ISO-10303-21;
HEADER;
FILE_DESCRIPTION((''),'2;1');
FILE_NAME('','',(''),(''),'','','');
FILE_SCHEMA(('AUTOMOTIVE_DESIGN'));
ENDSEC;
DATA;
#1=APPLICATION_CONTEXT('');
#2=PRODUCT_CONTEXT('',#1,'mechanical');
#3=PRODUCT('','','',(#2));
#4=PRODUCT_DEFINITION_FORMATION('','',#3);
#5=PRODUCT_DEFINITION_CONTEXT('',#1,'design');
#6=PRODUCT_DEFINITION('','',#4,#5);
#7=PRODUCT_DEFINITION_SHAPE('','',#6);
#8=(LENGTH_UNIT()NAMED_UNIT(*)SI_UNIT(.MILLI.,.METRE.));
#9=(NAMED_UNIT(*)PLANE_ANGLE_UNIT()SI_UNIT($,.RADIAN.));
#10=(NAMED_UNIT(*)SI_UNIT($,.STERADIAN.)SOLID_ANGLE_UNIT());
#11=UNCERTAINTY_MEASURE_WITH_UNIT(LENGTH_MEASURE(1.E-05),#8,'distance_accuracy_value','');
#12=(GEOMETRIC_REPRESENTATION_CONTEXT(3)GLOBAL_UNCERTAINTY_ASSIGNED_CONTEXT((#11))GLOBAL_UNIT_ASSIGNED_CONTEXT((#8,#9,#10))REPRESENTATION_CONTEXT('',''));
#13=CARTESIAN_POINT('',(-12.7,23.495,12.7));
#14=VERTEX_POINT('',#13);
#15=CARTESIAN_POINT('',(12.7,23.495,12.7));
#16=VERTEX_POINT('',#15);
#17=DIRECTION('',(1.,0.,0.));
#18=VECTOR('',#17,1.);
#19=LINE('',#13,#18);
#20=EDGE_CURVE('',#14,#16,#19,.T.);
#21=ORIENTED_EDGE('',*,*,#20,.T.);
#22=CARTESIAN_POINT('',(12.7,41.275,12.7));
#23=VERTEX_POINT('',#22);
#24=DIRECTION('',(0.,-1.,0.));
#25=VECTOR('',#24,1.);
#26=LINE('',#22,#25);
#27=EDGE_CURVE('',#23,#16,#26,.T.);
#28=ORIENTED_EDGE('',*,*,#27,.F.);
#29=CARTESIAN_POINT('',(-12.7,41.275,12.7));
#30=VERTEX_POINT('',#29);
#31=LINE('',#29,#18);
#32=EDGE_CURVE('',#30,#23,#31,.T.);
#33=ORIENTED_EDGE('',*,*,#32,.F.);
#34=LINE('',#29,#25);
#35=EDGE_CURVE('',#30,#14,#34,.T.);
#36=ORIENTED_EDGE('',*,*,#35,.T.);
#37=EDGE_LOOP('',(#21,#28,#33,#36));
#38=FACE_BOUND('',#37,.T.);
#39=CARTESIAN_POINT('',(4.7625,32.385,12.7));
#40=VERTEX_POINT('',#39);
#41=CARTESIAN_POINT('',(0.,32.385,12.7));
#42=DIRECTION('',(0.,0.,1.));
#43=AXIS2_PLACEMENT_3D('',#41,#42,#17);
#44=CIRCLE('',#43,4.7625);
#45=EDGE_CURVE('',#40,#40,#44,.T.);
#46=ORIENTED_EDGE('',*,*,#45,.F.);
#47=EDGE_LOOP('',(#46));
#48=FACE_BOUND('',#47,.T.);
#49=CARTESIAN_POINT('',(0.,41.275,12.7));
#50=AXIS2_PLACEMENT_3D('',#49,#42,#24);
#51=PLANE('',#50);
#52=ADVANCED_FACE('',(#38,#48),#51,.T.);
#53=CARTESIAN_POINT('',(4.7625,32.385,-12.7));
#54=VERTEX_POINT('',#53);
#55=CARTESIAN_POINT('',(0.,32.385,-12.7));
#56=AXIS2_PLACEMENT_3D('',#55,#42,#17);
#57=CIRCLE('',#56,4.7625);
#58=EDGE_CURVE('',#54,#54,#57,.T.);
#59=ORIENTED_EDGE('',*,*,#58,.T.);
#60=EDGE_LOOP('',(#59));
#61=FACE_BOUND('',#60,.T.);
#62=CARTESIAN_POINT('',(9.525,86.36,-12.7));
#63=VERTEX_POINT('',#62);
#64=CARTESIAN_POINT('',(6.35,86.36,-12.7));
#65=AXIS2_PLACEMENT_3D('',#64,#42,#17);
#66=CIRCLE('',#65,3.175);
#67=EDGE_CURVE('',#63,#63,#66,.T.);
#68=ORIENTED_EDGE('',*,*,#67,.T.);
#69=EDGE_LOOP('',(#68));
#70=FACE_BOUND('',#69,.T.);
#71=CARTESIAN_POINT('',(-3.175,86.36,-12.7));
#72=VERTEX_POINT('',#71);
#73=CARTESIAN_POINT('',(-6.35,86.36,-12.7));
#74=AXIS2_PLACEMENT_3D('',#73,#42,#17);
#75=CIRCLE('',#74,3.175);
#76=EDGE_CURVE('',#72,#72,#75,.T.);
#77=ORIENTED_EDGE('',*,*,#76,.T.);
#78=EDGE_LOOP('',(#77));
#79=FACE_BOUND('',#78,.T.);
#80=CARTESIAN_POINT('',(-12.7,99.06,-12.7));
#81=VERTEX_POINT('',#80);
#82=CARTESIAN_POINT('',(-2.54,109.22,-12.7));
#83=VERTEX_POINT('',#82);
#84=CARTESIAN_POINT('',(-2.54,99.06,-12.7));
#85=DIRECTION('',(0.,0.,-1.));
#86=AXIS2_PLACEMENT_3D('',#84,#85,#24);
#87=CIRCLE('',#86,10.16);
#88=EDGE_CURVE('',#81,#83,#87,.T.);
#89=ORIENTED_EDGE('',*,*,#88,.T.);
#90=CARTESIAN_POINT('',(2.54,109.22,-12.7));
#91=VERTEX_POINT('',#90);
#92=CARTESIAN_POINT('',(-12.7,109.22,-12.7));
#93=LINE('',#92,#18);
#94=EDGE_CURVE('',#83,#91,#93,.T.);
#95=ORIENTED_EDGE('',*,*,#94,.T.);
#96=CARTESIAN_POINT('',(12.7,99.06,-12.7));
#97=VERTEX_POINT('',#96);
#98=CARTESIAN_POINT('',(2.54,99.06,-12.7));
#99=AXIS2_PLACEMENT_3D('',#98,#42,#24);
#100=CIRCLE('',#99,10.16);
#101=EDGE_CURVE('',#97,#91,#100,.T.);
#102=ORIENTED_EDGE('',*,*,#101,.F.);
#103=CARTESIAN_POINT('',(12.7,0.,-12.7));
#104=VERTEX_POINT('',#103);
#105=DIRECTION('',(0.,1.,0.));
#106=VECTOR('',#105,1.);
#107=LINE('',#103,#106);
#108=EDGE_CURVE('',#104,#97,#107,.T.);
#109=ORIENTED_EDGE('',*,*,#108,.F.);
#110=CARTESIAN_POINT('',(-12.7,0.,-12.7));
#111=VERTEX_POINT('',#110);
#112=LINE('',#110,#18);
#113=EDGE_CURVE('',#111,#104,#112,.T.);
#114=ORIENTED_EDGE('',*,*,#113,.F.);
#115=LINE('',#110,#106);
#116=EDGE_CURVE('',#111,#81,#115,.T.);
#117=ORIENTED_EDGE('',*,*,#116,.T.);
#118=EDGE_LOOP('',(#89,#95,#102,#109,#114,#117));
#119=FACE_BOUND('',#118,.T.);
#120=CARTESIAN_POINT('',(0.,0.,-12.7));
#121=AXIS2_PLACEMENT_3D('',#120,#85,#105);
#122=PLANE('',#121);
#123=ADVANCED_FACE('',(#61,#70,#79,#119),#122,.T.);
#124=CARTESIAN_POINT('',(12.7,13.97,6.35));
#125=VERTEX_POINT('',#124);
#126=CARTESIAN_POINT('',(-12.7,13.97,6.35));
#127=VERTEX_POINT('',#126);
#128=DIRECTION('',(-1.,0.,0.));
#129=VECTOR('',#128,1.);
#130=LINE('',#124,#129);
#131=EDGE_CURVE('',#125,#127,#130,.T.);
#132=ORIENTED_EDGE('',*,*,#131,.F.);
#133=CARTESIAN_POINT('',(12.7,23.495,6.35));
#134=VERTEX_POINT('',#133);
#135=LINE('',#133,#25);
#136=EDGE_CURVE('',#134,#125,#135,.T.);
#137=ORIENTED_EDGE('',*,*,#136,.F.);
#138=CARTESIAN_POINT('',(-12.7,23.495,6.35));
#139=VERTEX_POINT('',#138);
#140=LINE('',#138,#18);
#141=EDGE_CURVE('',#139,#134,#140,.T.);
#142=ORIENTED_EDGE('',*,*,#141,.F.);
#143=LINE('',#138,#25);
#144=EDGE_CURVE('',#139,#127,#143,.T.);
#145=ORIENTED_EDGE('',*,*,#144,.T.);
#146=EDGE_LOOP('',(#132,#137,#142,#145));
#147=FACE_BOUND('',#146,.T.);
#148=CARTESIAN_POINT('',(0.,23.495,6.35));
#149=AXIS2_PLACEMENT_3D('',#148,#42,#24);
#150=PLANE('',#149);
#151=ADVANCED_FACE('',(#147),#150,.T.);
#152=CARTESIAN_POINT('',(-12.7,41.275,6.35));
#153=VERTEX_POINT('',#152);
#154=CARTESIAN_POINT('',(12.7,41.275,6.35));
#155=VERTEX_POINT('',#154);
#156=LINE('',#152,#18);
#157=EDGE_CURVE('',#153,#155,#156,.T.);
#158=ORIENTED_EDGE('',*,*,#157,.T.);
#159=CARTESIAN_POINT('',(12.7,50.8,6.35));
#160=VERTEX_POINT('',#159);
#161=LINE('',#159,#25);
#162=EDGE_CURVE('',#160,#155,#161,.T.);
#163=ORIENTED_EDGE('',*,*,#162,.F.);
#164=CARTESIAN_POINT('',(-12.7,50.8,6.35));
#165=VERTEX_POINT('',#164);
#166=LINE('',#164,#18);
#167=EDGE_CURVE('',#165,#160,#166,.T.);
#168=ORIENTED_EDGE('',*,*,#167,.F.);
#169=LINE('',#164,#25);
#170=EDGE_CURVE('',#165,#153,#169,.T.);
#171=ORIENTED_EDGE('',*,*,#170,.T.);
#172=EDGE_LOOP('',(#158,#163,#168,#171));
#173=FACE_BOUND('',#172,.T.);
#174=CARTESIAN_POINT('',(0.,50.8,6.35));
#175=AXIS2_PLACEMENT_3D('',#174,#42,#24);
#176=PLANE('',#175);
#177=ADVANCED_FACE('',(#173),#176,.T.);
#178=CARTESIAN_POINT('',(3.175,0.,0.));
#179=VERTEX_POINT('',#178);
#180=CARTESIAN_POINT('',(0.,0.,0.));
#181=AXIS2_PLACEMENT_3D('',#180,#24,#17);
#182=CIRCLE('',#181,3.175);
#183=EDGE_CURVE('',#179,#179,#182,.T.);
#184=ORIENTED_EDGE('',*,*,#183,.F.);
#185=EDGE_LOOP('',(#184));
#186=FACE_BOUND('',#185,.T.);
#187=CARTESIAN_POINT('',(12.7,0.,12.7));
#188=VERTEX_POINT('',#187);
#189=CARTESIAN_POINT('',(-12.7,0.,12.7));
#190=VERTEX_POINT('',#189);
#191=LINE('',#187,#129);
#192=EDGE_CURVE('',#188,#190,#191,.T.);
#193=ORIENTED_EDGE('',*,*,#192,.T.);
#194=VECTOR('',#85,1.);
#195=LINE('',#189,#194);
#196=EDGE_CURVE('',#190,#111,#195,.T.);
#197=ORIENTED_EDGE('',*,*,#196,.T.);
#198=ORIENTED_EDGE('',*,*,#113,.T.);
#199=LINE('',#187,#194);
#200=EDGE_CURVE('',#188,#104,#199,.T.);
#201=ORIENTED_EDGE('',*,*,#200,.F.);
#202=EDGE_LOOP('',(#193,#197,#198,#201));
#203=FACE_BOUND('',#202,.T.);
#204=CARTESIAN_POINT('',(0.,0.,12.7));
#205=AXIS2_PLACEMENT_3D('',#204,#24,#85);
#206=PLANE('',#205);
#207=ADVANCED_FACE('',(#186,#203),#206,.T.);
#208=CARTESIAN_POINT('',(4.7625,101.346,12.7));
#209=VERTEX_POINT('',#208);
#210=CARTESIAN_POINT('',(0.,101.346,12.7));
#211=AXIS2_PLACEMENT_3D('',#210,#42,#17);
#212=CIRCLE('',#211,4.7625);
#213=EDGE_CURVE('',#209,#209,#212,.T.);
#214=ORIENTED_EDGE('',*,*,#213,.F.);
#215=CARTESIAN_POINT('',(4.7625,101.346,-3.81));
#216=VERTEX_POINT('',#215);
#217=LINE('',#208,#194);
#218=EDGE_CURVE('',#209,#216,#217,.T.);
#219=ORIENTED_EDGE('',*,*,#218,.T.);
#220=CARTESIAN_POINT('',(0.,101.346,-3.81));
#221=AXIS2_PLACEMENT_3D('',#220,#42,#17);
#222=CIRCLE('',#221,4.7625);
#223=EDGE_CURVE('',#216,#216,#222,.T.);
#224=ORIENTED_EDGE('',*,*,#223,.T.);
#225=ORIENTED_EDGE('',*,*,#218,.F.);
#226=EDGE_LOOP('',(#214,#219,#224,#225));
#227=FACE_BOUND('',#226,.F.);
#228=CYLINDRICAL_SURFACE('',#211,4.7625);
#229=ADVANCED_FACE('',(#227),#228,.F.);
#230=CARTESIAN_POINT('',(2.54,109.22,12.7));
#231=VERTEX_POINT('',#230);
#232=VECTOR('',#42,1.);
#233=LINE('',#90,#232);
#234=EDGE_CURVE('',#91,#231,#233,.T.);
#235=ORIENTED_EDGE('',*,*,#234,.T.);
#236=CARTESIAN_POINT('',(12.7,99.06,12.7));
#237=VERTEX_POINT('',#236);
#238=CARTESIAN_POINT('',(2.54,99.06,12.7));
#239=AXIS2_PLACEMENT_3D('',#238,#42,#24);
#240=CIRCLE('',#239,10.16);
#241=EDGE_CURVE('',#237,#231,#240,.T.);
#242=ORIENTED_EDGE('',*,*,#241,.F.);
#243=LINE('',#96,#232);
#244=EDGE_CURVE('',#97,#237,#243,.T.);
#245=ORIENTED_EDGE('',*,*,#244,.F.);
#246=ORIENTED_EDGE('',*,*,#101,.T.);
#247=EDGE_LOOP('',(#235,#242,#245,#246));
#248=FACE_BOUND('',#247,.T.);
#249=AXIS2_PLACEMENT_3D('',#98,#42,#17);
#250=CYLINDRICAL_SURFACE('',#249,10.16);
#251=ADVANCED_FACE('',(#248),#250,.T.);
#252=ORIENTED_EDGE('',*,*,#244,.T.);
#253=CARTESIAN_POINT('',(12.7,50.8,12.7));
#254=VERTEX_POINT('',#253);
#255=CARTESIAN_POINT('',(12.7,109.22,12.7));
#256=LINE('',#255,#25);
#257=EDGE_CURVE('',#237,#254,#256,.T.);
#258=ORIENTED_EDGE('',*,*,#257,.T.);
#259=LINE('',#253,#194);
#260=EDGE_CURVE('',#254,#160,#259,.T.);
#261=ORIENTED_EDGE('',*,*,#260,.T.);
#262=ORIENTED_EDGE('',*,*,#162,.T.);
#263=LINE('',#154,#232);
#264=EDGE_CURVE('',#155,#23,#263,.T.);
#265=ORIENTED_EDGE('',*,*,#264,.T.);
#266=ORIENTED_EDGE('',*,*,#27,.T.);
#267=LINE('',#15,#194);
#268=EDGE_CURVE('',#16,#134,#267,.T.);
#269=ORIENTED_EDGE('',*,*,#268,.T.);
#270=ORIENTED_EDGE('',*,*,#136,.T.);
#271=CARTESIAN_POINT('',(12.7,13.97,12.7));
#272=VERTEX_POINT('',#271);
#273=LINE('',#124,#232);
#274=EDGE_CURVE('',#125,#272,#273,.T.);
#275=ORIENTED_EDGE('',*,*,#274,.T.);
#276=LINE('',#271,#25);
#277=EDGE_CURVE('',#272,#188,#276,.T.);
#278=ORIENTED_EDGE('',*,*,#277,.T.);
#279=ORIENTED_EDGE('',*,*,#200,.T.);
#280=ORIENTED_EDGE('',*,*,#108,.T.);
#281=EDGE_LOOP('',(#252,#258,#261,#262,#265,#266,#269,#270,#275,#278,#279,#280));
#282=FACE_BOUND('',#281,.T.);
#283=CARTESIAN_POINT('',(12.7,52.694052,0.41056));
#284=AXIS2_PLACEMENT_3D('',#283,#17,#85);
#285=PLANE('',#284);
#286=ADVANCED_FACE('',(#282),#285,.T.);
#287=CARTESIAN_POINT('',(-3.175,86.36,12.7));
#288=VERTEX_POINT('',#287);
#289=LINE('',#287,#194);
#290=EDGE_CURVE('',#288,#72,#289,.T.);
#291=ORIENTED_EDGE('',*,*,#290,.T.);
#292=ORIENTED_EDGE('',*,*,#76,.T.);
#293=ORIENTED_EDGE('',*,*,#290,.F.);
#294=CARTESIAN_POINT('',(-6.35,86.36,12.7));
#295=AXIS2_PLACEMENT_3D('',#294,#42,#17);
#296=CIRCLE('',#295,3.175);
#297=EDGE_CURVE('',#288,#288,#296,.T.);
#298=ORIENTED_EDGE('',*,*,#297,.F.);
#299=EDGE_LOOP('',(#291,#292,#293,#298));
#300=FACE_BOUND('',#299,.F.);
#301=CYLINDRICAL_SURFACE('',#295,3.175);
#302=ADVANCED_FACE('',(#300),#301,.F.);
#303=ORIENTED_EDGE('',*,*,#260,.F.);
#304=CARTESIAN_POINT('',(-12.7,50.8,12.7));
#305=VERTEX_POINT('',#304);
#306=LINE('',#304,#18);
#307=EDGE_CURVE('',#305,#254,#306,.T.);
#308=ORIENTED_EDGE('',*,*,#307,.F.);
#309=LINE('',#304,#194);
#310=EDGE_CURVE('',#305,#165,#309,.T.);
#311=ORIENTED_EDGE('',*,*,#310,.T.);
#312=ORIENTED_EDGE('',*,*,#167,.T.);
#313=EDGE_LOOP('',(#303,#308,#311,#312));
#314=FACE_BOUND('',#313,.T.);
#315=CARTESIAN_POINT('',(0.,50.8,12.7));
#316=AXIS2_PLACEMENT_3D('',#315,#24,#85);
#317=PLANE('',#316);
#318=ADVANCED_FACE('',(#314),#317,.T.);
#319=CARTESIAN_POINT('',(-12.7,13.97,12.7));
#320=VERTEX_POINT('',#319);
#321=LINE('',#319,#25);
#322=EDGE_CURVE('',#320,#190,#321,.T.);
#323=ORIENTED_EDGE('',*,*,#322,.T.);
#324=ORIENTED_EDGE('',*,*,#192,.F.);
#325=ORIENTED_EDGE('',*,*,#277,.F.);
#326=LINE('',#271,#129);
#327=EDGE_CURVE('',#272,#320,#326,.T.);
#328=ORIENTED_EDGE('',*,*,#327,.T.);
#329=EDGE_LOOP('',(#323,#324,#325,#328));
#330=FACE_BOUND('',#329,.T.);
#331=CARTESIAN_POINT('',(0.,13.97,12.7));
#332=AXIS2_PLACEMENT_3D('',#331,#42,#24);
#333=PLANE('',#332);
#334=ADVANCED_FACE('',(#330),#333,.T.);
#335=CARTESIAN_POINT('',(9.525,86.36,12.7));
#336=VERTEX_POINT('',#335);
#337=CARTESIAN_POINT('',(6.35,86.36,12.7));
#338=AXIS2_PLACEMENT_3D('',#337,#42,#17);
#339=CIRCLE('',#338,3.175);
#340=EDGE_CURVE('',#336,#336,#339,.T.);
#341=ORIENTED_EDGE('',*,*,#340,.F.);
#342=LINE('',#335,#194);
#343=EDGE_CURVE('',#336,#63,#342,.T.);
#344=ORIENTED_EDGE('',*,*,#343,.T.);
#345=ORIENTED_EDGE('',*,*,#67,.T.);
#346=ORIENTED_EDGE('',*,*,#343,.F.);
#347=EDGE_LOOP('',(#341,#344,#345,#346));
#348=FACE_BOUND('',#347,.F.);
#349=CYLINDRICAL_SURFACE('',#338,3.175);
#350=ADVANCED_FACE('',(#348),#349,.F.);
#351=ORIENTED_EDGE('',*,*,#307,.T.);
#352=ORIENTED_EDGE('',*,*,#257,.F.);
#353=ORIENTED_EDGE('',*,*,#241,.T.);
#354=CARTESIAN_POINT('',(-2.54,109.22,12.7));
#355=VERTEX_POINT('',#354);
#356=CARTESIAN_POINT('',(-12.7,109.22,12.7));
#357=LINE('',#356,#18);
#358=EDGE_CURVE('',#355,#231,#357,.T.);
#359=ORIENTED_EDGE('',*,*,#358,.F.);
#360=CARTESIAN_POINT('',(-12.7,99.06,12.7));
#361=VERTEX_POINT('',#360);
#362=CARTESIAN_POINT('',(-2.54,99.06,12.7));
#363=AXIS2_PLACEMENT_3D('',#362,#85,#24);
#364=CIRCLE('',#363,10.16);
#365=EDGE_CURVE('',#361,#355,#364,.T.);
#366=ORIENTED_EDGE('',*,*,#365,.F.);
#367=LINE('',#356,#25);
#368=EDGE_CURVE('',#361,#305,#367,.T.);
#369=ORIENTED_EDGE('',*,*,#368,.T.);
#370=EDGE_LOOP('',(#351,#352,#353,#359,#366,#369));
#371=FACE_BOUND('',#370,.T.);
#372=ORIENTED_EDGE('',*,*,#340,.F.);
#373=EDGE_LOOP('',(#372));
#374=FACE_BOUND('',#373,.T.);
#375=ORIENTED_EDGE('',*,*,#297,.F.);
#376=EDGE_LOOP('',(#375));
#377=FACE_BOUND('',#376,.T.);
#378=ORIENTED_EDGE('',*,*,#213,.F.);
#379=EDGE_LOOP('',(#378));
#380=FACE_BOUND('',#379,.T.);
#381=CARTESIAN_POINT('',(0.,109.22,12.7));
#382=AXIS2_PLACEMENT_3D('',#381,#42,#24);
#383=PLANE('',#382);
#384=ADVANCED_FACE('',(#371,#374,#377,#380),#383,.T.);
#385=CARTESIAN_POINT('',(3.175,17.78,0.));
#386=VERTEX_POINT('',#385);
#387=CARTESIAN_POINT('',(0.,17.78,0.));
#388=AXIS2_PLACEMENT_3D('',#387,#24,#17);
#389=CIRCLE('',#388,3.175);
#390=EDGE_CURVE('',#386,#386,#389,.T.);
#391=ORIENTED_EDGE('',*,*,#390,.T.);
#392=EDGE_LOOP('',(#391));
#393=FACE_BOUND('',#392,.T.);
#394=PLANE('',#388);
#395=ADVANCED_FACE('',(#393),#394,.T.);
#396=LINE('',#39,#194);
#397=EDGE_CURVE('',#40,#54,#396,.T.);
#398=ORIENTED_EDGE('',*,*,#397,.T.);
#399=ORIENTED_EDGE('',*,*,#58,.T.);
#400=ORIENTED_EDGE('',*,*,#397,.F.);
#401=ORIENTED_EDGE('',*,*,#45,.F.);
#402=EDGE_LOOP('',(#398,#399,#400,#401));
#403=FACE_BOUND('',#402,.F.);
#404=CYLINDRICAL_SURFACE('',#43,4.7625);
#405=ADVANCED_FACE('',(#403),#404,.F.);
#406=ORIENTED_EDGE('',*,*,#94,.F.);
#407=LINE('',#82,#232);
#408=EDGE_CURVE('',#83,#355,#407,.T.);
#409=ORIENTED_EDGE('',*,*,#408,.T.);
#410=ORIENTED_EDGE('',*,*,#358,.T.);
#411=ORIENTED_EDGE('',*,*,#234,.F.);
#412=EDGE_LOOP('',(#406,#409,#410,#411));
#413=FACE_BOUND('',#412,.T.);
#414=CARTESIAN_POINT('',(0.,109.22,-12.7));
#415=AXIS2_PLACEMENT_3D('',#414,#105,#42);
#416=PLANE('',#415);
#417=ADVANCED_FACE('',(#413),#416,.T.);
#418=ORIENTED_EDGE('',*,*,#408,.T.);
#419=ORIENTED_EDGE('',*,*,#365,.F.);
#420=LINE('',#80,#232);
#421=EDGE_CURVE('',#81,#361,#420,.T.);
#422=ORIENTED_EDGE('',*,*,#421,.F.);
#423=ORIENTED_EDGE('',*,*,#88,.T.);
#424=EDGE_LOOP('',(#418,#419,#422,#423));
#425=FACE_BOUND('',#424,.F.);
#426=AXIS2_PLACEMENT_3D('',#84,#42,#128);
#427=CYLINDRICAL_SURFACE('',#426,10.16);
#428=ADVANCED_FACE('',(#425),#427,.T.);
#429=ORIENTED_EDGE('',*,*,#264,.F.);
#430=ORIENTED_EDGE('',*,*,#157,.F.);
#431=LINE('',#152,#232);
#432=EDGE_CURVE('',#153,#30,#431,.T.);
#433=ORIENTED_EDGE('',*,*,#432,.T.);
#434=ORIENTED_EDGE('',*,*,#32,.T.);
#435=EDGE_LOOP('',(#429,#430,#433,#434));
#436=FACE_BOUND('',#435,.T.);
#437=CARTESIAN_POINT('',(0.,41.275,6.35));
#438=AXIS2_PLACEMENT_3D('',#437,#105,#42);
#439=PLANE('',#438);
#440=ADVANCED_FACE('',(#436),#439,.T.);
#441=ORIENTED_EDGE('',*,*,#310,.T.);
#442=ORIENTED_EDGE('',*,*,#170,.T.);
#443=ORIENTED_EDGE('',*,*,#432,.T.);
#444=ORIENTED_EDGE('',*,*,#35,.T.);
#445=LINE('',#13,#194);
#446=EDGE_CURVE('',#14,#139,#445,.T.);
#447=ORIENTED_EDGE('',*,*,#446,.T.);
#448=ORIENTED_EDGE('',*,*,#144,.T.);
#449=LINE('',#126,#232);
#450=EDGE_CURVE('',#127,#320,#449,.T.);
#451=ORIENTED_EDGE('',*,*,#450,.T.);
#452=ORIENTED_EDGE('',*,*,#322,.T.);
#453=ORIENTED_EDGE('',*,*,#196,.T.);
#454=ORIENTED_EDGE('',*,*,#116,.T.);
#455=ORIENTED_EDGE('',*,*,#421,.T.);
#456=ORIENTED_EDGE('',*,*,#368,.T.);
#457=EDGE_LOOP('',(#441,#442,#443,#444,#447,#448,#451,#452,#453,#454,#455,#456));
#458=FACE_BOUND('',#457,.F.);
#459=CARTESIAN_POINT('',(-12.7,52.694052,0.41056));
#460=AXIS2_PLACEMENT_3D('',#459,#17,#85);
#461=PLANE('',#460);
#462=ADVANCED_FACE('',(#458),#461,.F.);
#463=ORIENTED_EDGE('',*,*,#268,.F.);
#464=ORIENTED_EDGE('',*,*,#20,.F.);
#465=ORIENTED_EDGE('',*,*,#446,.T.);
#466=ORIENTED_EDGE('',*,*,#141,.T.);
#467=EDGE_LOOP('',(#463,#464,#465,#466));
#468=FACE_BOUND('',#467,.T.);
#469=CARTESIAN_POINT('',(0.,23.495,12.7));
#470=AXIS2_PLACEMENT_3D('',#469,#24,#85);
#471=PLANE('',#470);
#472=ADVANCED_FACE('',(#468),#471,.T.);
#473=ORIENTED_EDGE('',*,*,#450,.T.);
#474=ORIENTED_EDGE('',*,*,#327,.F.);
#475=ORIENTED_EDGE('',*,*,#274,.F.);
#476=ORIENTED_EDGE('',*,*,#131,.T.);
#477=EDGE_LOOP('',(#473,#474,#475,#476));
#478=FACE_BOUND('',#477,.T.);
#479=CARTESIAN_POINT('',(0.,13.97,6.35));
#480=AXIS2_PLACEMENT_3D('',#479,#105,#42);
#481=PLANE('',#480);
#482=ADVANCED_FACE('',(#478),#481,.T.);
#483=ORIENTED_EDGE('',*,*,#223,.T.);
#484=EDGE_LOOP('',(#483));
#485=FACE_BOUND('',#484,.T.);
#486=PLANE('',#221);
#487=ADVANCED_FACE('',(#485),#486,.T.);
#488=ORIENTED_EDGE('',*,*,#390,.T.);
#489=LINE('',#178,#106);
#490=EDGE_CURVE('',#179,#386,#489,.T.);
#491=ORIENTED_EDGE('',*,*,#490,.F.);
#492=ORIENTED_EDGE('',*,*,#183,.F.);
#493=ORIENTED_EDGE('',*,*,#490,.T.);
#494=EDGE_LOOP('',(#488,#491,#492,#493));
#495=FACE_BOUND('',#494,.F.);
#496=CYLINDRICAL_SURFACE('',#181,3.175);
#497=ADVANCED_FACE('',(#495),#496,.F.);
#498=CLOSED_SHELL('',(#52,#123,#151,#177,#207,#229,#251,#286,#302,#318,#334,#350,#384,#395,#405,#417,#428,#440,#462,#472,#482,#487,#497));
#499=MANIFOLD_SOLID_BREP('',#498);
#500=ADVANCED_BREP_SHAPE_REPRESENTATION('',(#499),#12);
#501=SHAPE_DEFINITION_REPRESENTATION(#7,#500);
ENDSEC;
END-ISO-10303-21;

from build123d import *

# Parameters (mm, degrees)
BOSS_EXTRUDE1_DEPTH = 12.7
SKETCH2_R           = 4.7625
CUT_EXTRUDE1_DEPTH  = 26.4
FILLET1_R           = 10.16
SKETCH3_R           = 3.175
CUT_EXTRUDE2_DEPTH  = 26.4
SKETCH4_R           = 3.175
CUT_EXTRUDE3_DEPTH  = 17.78
SKETCH6_R           = 4.7625
CUT_EXTRUDE4_DEPTH  = 16.51


with BuildPart() as part:
    # Sketch1 → Boss-Extrude1 (new body, symmetric)
    with BuildSketch(Plane(origin=(0, 0, 0), x_dir=(0, 0, -1), z_dir=(1, 0, 0))):
        Polygon((-12.7, 0), (12.7, 0), (12.7, 109.22), (-12.7, 109.22), (-12.7, 50.8), (-6.35, 50.8), (-6.35, 41.275), (-12.7, 41.275), (-12.7, 23.495), (-6.35, 23.495), (-6.35, 13.97), (-12.7, 13.97), align=None)
    extrude(amount=BOSS_EXTRUDE1_DEPTH, both=True)

    # Sketch2 → Cut-Extrude1 (cut, through all)
    with BuildSketch(Plane.XY.offset(12.7)):
        with Locations((0, 32.385)):
            Circle(SKETCH2_R)
    extrude(amount=-CUT_EXTRUDE1_DEPTH, mode=Mode.SUBTRACT)

    # Fillet1
    fillet1_edges = [part.edges().sort_by_distance(p)[0] for p in [
        (-12.7, 109.22, 0),
        (12.7, 109.22, 0),
    ]]
    fillet(fillet1_edges, radius=FILLET1_R)

    # Sketch3 → Cut-Extrude2 (cut, through all)
    with BuildSketch(Plane.XY.offset(12.7)):
        with Locations((-6.35, 86.36)):
            Circle(SKETCH3_R)
        with Locations((6.35, 86.36)):
            Circle(SKETCH3_R)
    extrude(amount=-CUT_EXTRUDE2_DEPTH, mode=Mode.SUBTRACT)

    # Sketch4 → Cut-Extrude3 (cut)
    with BuildSketch(Plane.XZ):
        Circle(SKETCH4_R)
    extrude(amount=-CUT_EXTRUDE3_DEPTH, mode=Mode.SUBTRACT)

    # Sketch6 → Cut-Extrude4 (cut)
    with BuildSketch(Plane.XY.offset(12.7)):
        with Locations((0, 101.346)):
            Circle(SKETCH6_R)
    extrude(amount=-CUT_EXTRUDE4_DEPTH, mode=Mode.SUBTRACT)


solid = part.part
